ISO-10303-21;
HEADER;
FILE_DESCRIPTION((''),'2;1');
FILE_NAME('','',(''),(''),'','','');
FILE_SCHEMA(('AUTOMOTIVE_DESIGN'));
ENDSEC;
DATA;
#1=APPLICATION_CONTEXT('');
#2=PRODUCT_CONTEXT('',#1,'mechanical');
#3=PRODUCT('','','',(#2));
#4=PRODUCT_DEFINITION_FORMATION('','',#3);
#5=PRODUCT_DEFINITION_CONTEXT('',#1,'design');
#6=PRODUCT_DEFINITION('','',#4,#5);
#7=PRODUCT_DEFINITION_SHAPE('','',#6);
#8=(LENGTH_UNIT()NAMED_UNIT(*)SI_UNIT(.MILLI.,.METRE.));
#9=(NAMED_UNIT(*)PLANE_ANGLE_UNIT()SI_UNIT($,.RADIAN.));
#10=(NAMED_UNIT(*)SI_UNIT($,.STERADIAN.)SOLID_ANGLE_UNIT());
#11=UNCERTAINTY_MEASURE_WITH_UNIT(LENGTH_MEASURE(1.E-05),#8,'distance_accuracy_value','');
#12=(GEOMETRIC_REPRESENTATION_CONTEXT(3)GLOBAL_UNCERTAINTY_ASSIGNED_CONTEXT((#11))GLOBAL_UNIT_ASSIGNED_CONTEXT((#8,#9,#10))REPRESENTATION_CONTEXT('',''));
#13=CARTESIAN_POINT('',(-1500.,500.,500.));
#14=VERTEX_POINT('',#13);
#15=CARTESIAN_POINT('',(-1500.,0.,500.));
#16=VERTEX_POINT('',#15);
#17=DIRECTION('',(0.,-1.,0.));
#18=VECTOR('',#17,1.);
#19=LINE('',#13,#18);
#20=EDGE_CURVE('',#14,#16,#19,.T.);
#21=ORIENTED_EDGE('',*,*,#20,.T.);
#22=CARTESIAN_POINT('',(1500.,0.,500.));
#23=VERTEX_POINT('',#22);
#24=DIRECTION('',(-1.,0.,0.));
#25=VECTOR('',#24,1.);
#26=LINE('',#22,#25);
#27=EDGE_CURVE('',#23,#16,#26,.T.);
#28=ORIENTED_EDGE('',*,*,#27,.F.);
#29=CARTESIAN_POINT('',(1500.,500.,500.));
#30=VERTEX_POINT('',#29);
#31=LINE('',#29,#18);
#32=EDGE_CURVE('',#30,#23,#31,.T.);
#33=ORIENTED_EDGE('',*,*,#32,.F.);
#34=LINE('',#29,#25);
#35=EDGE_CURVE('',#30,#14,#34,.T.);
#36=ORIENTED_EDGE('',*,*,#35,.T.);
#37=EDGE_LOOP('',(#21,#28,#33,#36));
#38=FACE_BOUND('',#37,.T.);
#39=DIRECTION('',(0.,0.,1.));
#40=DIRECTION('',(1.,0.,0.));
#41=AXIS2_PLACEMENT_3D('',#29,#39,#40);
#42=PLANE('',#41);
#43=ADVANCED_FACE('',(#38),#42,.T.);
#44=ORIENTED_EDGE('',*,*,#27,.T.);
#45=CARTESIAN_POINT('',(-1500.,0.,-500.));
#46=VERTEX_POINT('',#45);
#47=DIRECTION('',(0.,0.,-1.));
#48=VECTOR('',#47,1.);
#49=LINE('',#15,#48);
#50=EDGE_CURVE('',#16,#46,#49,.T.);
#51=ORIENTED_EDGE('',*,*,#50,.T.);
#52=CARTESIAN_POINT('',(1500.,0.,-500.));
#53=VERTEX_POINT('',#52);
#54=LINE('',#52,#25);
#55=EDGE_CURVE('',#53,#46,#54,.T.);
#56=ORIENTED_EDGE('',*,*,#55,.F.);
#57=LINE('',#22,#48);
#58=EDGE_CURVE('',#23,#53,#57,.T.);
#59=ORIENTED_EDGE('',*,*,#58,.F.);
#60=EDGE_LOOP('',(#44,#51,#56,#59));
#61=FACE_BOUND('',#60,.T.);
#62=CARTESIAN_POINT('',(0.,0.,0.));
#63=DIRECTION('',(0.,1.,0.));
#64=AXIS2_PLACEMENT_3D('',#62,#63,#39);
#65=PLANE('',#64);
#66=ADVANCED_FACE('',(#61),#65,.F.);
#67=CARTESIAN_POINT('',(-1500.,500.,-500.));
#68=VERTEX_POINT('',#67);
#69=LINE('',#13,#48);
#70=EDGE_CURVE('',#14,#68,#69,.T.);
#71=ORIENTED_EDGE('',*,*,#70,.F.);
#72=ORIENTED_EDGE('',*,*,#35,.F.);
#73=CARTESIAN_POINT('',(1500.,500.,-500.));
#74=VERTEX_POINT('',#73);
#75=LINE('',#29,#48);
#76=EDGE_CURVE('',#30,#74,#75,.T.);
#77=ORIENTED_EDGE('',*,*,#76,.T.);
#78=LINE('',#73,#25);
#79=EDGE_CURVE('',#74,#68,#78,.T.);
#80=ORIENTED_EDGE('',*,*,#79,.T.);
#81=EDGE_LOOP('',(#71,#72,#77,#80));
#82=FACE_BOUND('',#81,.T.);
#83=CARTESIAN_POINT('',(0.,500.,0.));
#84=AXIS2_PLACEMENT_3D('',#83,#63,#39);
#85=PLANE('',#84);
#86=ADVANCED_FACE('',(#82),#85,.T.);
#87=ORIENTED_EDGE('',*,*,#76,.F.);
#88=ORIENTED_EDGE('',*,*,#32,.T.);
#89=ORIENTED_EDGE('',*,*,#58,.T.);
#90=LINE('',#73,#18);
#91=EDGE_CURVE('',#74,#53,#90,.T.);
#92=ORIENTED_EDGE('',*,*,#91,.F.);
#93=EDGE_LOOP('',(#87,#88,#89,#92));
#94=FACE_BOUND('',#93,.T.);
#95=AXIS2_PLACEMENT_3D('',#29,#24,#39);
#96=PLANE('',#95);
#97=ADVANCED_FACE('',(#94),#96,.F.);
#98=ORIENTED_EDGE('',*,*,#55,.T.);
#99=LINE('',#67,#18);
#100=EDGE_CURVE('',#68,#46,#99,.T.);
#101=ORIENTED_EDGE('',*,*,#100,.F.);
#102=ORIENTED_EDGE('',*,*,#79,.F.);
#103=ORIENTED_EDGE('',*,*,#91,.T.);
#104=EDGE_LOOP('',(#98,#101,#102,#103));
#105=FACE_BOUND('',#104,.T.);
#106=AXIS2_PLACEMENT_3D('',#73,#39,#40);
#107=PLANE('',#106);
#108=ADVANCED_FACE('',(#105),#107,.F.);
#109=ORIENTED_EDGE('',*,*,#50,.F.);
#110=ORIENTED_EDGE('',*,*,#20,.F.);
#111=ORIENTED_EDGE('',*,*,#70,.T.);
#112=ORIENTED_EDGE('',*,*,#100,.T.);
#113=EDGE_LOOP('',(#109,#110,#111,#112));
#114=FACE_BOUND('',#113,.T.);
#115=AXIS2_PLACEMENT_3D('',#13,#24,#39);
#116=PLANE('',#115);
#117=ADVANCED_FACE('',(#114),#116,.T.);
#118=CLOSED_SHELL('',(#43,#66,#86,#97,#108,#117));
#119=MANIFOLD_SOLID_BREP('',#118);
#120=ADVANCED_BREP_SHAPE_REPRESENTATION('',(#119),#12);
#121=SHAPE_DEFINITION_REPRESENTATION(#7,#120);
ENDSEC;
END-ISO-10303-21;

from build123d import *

# Parameters (mm, degrees)
SKETCH1_W           = 3000
SKETCH1_H           = 1000
BOSS_EXTRUDE1_DEPTH = 500


with BuildPart() as part:
    # Sketch1 → Boss-Extrude1 (new body)
    with BuildSketch(Plane(origin=(0, 0, 0), x_dir=(1, 0, 0), z_dir=(0, 1, 0))):
        Rectangle(SKETCH1_W, SKETCH1_H)
    extrude(amount=BOSS_EXTRUDE1_DEPTH)


solid = part.part
